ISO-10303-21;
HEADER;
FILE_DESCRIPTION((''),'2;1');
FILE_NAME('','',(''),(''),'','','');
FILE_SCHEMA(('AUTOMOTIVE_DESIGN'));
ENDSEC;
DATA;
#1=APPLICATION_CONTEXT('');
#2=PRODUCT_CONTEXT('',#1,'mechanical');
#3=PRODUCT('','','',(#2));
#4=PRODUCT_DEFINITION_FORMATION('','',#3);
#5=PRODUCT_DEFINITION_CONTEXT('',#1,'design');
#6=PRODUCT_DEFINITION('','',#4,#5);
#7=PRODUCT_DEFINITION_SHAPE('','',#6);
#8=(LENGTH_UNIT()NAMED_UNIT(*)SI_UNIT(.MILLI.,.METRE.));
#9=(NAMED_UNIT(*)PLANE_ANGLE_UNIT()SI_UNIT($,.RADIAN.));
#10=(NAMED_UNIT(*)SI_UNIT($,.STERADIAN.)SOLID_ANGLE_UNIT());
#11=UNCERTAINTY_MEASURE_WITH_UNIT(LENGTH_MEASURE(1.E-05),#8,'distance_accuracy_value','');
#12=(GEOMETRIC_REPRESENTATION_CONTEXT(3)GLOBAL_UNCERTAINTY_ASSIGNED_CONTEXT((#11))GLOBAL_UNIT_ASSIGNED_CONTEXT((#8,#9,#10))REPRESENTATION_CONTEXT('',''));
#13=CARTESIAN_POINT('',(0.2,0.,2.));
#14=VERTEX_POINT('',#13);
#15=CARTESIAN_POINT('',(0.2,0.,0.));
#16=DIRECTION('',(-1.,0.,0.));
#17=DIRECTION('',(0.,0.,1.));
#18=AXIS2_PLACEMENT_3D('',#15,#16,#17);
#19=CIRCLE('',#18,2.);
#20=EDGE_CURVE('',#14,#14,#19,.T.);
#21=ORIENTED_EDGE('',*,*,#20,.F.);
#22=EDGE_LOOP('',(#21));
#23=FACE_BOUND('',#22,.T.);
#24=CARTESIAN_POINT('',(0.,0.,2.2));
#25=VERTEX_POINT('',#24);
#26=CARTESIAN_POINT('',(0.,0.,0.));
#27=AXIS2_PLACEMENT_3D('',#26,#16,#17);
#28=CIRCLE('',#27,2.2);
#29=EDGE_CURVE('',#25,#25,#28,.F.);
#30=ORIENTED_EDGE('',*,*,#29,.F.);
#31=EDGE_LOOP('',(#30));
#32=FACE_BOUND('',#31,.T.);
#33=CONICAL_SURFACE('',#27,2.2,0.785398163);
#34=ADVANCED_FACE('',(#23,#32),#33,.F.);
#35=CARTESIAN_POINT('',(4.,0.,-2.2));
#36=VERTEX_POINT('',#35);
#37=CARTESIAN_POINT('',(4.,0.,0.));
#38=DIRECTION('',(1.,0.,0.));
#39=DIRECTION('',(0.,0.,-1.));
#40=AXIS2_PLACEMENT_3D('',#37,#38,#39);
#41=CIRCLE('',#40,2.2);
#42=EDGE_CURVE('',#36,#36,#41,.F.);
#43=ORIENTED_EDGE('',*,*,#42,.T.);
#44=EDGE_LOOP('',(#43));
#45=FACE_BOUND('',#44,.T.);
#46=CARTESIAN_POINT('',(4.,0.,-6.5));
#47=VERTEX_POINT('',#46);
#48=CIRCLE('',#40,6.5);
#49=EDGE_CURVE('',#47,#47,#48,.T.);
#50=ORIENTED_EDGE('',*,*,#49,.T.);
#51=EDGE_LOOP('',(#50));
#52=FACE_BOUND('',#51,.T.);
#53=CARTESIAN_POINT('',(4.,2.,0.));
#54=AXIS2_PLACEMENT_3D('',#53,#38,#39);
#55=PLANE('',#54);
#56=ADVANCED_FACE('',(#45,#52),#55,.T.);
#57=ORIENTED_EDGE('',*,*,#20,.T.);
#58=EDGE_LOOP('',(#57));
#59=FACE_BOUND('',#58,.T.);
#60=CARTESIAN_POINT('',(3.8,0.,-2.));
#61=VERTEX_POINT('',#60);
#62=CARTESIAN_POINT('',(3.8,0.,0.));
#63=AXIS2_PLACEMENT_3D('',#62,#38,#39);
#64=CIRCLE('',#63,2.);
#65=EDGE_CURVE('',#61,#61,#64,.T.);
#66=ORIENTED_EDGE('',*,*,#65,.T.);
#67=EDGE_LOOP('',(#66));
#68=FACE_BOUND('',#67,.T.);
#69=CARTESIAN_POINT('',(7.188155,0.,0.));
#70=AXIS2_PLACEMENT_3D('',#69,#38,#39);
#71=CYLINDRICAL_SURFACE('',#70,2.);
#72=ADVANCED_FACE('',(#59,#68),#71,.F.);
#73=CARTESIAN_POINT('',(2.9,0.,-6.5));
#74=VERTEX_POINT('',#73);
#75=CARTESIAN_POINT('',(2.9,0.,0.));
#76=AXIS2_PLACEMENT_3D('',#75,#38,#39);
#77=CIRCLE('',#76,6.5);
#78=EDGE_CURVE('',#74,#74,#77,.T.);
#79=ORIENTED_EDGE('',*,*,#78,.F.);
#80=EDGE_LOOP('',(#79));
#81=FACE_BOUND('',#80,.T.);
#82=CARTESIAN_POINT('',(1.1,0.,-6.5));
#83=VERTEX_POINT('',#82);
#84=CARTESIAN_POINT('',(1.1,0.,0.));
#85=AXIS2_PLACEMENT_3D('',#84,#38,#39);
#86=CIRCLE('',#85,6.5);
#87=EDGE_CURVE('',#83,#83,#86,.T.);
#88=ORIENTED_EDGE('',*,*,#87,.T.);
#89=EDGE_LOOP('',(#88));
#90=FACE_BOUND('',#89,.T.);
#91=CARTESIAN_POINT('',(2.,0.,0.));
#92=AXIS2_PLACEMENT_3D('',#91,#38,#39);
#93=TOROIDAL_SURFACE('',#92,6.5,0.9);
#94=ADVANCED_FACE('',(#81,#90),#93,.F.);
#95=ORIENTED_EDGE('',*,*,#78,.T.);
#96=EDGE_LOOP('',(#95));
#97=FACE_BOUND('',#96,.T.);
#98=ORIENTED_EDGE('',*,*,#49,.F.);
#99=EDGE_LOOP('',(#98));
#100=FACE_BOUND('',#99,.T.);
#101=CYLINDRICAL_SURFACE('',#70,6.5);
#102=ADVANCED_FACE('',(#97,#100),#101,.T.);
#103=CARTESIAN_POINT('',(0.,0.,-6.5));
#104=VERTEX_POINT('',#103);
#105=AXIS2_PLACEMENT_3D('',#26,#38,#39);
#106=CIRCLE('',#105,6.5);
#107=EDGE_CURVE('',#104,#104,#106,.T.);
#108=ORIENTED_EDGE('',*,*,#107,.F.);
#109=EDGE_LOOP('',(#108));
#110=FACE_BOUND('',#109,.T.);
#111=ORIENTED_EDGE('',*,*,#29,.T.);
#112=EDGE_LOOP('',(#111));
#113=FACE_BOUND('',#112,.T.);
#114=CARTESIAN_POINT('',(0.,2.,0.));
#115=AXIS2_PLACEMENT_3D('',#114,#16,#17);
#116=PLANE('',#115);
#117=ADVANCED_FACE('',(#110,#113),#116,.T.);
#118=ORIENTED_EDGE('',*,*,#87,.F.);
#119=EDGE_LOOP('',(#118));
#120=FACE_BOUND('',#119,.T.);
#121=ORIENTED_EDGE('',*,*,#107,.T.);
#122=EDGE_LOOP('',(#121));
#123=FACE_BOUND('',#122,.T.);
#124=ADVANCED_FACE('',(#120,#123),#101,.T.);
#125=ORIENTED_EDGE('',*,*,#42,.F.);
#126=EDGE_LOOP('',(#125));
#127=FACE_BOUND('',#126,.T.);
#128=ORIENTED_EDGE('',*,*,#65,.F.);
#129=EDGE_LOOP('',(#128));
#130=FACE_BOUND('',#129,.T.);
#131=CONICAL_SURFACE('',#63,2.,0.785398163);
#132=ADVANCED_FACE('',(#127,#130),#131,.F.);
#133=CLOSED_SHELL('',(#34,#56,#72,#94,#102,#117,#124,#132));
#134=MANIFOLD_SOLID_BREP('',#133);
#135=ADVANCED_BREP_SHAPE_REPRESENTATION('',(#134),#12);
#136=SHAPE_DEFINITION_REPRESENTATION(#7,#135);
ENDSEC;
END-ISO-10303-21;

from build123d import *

# Parameters (mm, degrees)
CHAMFER_1_SIZE = 0.2


with BuildPart() as part:
    # Эскиз3 → Повернуть1 (revolve)
    with BuildSketch(Plane.XY):
        with BuildLine():
            Line((0, 2), (4, 2))
            Line((4, 2), (4, 6.5))
            Line((4, 6.5), (2.9, 6.5))
            ThreePointArc((2.9, 6.5), (2, 5.6), (1.1, 6.5))
            Line((1.1, 6.5), (0, 6.5))
            Line((0, 6.5), (0, 2))
        make_face()
    revolve(axis=Axis((7.18815516, 0, 0), (-1, 0, 0)))

    # Фаска1
    chamfer_1_edges = [part.edges().sort_by_distance(p)[0] for p in [
        (4, -2, 0),
        (0, -2, 0),
    ]]
    chamfer(chamfer_1_edges, length=CHAMFER_1_SIZE)


solid = part.part
